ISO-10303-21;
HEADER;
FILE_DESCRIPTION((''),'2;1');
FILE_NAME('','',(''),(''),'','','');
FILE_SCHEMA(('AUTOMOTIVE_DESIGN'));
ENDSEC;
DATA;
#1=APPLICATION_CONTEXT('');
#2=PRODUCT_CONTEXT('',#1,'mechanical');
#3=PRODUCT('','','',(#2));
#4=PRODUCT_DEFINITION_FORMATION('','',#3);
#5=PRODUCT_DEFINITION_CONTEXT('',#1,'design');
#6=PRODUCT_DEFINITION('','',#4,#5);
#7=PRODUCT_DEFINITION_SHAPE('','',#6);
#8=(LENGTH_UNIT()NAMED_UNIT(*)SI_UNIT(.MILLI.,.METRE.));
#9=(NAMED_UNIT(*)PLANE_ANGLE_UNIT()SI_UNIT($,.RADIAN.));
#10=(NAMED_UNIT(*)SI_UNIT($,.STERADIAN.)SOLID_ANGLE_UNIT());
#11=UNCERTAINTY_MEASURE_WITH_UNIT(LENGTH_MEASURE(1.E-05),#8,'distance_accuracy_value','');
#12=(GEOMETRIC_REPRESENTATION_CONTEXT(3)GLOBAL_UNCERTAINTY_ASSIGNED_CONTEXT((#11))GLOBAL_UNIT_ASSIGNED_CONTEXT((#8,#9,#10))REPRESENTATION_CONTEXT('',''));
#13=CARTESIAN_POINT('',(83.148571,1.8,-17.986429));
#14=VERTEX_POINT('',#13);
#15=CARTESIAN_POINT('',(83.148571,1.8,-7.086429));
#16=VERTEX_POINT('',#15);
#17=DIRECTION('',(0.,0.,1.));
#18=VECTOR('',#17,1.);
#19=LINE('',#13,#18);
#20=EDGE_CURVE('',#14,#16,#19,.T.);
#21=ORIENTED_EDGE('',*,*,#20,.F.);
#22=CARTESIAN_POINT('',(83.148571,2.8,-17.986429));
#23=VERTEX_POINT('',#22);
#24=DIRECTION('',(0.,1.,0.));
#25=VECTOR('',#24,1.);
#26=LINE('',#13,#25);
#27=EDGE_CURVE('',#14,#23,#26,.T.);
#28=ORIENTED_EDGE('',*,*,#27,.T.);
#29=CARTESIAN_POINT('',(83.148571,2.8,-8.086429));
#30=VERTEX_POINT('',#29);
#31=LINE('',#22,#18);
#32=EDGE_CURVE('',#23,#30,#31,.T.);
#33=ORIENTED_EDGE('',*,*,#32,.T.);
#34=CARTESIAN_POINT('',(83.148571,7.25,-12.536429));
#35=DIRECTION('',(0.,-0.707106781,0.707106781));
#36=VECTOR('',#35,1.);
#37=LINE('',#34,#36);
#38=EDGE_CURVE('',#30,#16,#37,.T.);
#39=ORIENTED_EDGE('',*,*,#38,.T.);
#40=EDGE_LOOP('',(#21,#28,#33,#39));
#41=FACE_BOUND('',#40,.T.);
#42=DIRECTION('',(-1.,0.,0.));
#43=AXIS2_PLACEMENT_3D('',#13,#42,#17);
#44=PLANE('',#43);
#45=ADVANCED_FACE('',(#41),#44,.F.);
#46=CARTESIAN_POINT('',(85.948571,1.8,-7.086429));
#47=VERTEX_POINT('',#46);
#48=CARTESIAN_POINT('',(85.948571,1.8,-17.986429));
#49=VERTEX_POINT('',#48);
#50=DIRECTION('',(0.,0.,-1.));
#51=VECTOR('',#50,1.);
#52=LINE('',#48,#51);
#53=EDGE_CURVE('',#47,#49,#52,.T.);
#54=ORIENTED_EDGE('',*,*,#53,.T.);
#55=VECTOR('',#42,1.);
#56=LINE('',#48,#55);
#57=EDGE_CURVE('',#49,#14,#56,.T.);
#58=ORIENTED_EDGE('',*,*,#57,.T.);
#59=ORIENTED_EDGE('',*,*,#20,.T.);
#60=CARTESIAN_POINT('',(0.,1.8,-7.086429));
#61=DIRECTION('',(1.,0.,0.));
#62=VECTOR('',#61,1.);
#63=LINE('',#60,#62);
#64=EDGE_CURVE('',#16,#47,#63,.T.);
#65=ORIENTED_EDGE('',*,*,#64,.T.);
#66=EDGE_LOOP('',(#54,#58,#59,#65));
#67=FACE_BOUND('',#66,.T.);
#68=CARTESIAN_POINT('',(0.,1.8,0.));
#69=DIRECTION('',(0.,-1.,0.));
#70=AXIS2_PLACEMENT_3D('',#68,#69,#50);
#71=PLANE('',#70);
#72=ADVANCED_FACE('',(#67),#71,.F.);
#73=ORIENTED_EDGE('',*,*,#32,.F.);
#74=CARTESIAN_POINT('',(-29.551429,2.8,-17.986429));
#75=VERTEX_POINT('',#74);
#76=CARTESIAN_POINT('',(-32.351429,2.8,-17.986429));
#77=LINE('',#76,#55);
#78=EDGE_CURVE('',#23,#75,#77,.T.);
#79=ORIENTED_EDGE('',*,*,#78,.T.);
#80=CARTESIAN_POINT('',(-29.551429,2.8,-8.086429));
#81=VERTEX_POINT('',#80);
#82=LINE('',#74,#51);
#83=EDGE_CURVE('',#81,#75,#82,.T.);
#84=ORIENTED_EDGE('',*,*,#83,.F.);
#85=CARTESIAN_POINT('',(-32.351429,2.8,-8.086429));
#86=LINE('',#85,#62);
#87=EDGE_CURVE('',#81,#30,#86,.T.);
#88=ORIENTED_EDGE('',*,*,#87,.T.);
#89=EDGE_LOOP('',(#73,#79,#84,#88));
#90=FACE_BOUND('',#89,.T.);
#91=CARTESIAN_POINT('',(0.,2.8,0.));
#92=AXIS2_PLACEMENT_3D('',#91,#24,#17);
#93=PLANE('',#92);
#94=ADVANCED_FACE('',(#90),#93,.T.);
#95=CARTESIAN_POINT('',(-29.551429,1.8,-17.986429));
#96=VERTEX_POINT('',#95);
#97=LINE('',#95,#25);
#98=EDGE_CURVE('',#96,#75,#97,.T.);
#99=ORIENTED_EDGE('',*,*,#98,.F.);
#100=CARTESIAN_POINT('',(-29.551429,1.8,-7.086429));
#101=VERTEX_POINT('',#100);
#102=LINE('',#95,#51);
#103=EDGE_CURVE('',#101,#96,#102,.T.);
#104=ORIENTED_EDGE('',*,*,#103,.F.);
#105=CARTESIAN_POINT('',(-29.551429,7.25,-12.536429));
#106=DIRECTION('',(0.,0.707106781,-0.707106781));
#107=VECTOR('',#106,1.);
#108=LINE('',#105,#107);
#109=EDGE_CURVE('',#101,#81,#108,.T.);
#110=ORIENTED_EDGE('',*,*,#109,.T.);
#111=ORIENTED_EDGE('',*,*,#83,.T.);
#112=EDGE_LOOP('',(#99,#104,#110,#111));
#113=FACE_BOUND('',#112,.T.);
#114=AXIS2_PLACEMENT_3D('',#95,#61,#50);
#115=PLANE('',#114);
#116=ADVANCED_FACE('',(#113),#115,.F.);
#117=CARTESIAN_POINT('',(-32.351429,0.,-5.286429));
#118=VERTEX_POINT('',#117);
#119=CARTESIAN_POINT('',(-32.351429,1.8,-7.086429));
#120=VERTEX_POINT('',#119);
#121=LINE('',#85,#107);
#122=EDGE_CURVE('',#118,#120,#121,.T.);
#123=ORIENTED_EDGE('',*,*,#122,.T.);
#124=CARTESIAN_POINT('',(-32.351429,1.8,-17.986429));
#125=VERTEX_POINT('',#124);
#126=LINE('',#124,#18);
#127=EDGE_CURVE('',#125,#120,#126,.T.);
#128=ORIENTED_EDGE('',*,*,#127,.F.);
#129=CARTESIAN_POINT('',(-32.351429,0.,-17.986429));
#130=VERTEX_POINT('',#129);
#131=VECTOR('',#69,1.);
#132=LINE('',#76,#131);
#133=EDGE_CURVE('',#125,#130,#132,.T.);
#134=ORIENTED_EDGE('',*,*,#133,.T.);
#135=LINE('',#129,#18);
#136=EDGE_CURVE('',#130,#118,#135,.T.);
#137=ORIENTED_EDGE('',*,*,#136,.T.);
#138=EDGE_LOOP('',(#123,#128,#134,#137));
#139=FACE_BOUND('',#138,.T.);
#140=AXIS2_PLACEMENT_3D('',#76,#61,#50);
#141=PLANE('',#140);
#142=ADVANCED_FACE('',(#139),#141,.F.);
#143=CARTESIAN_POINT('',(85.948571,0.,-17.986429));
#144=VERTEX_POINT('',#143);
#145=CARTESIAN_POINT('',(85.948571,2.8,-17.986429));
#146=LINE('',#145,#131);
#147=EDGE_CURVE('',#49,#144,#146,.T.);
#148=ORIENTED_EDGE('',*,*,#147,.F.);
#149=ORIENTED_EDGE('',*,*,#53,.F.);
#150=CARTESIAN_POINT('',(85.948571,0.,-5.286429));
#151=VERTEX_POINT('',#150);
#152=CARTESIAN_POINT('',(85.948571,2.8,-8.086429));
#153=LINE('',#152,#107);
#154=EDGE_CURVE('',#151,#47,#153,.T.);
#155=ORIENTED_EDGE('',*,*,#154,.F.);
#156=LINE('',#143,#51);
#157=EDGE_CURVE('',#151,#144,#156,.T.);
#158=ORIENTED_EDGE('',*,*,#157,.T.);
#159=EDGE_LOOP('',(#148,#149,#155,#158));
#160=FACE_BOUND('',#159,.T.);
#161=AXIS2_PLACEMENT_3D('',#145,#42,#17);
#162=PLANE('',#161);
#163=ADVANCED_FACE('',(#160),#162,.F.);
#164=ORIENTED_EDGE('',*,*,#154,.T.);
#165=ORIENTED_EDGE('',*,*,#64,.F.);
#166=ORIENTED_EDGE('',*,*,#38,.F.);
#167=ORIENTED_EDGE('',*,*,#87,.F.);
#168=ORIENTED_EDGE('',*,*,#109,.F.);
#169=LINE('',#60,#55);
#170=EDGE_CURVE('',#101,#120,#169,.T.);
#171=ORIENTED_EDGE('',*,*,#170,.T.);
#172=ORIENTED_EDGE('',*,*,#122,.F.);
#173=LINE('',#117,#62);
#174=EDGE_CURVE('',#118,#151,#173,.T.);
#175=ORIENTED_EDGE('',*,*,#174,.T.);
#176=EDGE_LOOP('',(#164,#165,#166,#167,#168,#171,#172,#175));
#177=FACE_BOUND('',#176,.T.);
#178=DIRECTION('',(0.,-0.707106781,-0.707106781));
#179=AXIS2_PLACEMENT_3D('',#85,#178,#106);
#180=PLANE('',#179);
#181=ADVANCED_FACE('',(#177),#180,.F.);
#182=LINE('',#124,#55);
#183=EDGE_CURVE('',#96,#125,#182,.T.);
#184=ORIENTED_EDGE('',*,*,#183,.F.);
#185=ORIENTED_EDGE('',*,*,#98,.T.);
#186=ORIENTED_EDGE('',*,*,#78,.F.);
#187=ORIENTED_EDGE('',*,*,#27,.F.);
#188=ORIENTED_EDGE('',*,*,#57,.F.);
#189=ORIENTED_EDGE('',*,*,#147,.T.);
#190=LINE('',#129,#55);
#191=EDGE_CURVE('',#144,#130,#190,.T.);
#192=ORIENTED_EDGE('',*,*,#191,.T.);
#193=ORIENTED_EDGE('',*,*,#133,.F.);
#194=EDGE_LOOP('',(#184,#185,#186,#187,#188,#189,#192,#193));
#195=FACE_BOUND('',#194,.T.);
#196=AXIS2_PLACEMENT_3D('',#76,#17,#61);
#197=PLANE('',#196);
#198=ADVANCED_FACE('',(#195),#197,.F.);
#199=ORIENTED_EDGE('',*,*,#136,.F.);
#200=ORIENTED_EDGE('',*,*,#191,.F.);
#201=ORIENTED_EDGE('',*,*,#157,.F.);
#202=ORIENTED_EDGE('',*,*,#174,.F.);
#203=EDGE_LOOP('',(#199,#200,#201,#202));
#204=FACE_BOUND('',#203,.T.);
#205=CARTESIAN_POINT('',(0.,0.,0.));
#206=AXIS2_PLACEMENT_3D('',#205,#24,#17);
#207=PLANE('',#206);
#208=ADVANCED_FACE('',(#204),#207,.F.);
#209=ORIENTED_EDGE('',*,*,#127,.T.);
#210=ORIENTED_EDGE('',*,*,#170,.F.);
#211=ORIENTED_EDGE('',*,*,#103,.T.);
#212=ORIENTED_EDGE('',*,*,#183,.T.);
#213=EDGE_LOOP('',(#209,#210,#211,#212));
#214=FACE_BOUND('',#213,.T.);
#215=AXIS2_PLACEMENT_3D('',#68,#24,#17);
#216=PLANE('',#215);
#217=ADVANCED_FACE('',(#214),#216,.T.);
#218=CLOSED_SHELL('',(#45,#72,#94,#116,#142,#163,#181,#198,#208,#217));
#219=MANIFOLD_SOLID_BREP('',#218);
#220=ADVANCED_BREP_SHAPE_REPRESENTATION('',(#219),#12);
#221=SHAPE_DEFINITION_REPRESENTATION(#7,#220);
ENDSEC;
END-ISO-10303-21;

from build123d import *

# Parameters (mm, degrees)
SKETCH_1_W          = 118.3
SKETCH_1_H          = 12.7
EXTRUDE_1_DEPTH     = 2.8
SKETCH_2_W          = 2.8
SKETCH_2_H          = 12.7
CUT_EXTRUDE_1_DEPTH = 1
CUT_EXTRUDE_2_DEPTH = 120.692278835


with BuildPart() as part:
    # 草图1 → 凸台-拉伸1 (new body)
    with BuildSketch(Plane(origin=(0, 0, 0), x_dir=(1, 0, 0), z_dir=(0, 1, 0))):
        with Locations((26.798571429, 11.636428571)):
            Rectangle(SKETCH_1_W, SKETCH_1_H)
    extrude(amount=EXTRUDE_1_DEPTH)

    # 草图2 → 切除-拉伸1 (cut)
    with BuildSketch(Plane(origin=(0, 2.8, 0), x_dir=(1, 0, 0), z_dir=(0, 1, 0))):
        with Locations((-30.951428571, 11.636428571)):
            Rectangle(SKETCH_2_W, SKETCH_2_H)
        with Locations((84.548571429, 11.636428571)):
            Rectangle(SKETCH_2_W, SKETCH_2_H)
    extrude(amount=-CUT_EXTRUDE_1_DEPTH, mode=Mode.SUBTRACT)

    # 草图3 → 切除-拉伸2 (cut, through all)
    with BuildSketch(Plane(origin=(85.948571429, 0, 0), x_dir=(0, 0, -1), z_dir=(1, 0, 0))):
        Polygon((5.286428571, 0), (5.286428571, 2.8), (8.086428571, 2.8), align=None)
    extrude(amount=-CUT_EXTRUDE_2_DEPTH, mode=Mode.SUBTRACT)


solid = part.part
